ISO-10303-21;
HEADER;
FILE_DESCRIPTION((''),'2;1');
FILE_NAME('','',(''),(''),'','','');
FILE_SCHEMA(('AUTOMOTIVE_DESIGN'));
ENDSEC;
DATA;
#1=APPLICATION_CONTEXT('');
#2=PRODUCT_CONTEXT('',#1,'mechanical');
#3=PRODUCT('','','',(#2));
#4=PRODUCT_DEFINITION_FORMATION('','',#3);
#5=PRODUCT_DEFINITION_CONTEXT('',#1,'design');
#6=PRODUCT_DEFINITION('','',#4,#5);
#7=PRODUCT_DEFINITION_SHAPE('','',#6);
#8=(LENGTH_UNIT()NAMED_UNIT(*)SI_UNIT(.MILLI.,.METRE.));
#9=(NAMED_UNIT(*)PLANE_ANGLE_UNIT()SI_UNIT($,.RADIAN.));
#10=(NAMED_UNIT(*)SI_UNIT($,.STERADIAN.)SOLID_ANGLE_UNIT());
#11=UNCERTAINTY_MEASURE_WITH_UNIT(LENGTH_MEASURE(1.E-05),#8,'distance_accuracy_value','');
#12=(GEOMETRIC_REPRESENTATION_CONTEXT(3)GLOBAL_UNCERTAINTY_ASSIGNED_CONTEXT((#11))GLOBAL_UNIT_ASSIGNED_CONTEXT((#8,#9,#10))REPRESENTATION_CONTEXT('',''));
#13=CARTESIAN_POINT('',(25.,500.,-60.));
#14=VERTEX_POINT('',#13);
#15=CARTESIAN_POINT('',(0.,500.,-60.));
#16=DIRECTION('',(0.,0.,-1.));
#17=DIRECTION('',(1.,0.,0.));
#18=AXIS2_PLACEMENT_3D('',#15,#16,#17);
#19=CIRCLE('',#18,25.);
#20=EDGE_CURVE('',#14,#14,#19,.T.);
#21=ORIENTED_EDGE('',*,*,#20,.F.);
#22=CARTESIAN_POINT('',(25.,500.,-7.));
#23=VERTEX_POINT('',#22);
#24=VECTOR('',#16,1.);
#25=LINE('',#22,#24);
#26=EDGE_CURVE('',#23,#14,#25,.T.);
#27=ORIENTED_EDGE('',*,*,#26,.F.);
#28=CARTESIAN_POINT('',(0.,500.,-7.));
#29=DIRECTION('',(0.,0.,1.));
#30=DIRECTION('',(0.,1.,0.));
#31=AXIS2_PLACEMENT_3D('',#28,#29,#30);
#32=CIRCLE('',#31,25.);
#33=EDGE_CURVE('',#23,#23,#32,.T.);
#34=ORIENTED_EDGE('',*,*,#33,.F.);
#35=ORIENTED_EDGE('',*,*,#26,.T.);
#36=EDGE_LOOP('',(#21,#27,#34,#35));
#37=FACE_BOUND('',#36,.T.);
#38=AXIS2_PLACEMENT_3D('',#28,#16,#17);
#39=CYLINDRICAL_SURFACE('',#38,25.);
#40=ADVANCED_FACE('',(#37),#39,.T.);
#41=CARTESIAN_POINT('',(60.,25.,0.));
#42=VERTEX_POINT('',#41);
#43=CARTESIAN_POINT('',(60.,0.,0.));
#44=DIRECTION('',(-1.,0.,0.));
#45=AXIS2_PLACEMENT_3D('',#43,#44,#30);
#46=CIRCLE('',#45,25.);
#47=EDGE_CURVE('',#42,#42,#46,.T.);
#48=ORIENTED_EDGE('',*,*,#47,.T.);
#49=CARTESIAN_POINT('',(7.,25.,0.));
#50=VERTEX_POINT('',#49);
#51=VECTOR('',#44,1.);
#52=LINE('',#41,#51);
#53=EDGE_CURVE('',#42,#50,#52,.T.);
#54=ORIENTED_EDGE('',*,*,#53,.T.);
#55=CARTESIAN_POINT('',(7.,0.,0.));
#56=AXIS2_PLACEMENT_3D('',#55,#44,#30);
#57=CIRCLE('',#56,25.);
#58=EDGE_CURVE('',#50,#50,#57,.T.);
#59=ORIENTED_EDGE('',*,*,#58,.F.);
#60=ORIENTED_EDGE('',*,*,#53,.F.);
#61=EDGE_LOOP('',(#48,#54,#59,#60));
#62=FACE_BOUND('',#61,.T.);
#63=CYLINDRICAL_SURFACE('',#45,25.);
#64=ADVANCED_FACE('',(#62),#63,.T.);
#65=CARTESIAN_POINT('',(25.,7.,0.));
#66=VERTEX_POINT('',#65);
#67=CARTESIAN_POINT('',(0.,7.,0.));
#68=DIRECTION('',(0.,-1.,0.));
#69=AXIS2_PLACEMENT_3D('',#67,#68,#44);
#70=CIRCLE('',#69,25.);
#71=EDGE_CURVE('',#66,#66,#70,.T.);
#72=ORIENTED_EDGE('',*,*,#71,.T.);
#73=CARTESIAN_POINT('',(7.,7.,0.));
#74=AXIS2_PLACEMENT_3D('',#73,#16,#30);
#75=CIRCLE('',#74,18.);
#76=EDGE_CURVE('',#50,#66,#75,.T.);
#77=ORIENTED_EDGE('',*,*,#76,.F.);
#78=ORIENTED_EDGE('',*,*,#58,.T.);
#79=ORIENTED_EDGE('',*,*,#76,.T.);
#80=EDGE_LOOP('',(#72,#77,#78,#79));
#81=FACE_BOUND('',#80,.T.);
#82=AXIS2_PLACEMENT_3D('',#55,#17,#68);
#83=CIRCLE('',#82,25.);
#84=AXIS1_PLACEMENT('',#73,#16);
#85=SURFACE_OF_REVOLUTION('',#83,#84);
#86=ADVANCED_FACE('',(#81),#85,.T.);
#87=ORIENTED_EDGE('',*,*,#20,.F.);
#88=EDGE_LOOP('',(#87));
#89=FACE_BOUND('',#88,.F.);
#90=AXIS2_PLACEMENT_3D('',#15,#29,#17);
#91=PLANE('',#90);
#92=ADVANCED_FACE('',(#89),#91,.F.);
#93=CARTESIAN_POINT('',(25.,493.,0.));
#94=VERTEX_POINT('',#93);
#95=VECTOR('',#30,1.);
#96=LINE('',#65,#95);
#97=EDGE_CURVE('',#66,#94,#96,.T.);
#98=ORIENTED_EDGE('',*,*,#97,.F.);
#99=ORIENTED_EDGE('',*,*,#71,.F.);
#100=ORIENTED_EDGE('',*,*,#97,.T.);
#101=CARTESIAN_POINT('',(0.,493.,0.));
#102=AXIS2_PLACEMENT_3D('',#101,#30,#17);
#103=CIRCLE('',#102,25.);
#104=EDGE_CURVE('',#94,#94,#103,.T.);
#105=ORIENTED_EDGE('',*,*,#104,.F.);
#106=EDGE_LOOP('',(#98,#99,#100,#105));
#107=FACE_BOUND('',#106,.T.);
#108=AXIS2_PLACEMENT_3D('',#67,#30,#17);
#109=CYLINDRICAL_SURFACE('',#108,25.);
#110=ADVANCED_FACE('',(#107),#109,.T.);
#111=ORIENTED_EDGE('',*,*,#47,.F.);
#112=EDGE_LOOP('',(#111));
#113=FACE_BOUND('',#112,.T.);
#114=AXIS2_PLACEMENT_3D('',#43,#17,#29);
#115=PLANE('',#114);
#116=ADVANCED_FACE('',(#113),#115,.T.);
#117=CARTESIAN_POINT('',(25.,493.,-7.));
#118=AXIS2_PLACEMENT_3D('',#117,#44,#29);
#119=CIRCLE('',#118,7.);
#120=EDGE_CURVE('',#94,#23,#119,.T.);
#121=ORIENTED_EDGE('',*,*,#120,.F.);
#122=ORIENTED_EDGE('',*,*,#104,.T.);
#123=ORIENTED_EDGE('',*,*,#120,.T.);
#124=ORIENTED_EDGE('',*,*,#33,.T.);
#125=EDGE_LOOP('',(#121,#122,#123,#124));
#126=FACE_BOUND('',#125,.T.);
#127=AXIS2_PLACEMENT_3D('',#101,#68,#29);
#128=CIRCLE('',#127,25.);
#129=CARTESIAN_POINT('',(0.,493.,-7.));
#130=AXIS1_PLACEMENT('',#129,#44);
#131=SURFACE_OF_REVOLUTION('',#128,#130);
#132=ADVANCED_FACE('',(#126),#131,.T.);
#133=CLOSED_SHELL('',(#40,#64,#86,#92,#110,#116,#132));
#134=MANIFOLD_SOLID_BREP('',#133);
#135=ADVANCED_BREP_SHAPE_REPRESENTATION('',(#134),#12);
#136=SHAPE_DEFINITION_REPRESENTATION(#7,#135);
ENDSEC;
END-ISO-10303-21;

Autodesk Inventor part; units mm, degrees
ref_plane "XZ Plane" through (0, 0, 0) normal (0, 1, 0) x (-1, 0, 0)
sketch "Sketch1" plane through (0, 0, 0) normal (0, 0, 1) x (1, 0, 0)
  point P0 (0, 0)
sketch "Sketch2" plane through (0, 0, 0) normal (1, 0, 0) x (0, 1, 0)
  point P0 (0, 0)
sketch "Sketch3" plane through (0, 0, 0) normal (0, 0, 1) x (1, 0, 0)
  point P0 (0, 0)
ref_plane "Work Plane1" through (60, 0, 0) normal (1, 0, 0) x (0, 1, 0)
sketch "Sketch4" plane through (60, 0, 0) normal (1, 0, 0) x (0, 1, 0)
  circle A0 centre (0, 0) radius 25
  dimension "d6" = 50
ref_plane "Work Plane2" through (0, 0, -60) normal (0, 0, 1) x (1, 0, 0)
sketch "Sketch5" plane through (0, 0, -60) normal (0, 0, 1) x (1, 0, 0)
  point P0 (0, 0)
sketch3d "3D Sketch1"
  line L0 (60, 0, 0) -> (7, 0, 0)
  arc A0 (7, 0, 0) -> (0, 7, 0) centre (7, 7, 0) ccw
  line L1 (0, 7, 0) -> (0, 493, 0)
  arc A1 (0, 493, 0) -> (0, 500, -7) centre (0, 493, -7) ccw
  line L2 (0, 500, -7) -> (0, 500, -60)
  dimension "d0" = 500
  dimension "d1" = 60
  dimension "d2" = 60
  dimension "d8" = 7
  dimension "d9" = 7
sweep "Sweep1" add profiles "Sketch4" path "3D Sketch1"
properties part number "Exhaust 2"
